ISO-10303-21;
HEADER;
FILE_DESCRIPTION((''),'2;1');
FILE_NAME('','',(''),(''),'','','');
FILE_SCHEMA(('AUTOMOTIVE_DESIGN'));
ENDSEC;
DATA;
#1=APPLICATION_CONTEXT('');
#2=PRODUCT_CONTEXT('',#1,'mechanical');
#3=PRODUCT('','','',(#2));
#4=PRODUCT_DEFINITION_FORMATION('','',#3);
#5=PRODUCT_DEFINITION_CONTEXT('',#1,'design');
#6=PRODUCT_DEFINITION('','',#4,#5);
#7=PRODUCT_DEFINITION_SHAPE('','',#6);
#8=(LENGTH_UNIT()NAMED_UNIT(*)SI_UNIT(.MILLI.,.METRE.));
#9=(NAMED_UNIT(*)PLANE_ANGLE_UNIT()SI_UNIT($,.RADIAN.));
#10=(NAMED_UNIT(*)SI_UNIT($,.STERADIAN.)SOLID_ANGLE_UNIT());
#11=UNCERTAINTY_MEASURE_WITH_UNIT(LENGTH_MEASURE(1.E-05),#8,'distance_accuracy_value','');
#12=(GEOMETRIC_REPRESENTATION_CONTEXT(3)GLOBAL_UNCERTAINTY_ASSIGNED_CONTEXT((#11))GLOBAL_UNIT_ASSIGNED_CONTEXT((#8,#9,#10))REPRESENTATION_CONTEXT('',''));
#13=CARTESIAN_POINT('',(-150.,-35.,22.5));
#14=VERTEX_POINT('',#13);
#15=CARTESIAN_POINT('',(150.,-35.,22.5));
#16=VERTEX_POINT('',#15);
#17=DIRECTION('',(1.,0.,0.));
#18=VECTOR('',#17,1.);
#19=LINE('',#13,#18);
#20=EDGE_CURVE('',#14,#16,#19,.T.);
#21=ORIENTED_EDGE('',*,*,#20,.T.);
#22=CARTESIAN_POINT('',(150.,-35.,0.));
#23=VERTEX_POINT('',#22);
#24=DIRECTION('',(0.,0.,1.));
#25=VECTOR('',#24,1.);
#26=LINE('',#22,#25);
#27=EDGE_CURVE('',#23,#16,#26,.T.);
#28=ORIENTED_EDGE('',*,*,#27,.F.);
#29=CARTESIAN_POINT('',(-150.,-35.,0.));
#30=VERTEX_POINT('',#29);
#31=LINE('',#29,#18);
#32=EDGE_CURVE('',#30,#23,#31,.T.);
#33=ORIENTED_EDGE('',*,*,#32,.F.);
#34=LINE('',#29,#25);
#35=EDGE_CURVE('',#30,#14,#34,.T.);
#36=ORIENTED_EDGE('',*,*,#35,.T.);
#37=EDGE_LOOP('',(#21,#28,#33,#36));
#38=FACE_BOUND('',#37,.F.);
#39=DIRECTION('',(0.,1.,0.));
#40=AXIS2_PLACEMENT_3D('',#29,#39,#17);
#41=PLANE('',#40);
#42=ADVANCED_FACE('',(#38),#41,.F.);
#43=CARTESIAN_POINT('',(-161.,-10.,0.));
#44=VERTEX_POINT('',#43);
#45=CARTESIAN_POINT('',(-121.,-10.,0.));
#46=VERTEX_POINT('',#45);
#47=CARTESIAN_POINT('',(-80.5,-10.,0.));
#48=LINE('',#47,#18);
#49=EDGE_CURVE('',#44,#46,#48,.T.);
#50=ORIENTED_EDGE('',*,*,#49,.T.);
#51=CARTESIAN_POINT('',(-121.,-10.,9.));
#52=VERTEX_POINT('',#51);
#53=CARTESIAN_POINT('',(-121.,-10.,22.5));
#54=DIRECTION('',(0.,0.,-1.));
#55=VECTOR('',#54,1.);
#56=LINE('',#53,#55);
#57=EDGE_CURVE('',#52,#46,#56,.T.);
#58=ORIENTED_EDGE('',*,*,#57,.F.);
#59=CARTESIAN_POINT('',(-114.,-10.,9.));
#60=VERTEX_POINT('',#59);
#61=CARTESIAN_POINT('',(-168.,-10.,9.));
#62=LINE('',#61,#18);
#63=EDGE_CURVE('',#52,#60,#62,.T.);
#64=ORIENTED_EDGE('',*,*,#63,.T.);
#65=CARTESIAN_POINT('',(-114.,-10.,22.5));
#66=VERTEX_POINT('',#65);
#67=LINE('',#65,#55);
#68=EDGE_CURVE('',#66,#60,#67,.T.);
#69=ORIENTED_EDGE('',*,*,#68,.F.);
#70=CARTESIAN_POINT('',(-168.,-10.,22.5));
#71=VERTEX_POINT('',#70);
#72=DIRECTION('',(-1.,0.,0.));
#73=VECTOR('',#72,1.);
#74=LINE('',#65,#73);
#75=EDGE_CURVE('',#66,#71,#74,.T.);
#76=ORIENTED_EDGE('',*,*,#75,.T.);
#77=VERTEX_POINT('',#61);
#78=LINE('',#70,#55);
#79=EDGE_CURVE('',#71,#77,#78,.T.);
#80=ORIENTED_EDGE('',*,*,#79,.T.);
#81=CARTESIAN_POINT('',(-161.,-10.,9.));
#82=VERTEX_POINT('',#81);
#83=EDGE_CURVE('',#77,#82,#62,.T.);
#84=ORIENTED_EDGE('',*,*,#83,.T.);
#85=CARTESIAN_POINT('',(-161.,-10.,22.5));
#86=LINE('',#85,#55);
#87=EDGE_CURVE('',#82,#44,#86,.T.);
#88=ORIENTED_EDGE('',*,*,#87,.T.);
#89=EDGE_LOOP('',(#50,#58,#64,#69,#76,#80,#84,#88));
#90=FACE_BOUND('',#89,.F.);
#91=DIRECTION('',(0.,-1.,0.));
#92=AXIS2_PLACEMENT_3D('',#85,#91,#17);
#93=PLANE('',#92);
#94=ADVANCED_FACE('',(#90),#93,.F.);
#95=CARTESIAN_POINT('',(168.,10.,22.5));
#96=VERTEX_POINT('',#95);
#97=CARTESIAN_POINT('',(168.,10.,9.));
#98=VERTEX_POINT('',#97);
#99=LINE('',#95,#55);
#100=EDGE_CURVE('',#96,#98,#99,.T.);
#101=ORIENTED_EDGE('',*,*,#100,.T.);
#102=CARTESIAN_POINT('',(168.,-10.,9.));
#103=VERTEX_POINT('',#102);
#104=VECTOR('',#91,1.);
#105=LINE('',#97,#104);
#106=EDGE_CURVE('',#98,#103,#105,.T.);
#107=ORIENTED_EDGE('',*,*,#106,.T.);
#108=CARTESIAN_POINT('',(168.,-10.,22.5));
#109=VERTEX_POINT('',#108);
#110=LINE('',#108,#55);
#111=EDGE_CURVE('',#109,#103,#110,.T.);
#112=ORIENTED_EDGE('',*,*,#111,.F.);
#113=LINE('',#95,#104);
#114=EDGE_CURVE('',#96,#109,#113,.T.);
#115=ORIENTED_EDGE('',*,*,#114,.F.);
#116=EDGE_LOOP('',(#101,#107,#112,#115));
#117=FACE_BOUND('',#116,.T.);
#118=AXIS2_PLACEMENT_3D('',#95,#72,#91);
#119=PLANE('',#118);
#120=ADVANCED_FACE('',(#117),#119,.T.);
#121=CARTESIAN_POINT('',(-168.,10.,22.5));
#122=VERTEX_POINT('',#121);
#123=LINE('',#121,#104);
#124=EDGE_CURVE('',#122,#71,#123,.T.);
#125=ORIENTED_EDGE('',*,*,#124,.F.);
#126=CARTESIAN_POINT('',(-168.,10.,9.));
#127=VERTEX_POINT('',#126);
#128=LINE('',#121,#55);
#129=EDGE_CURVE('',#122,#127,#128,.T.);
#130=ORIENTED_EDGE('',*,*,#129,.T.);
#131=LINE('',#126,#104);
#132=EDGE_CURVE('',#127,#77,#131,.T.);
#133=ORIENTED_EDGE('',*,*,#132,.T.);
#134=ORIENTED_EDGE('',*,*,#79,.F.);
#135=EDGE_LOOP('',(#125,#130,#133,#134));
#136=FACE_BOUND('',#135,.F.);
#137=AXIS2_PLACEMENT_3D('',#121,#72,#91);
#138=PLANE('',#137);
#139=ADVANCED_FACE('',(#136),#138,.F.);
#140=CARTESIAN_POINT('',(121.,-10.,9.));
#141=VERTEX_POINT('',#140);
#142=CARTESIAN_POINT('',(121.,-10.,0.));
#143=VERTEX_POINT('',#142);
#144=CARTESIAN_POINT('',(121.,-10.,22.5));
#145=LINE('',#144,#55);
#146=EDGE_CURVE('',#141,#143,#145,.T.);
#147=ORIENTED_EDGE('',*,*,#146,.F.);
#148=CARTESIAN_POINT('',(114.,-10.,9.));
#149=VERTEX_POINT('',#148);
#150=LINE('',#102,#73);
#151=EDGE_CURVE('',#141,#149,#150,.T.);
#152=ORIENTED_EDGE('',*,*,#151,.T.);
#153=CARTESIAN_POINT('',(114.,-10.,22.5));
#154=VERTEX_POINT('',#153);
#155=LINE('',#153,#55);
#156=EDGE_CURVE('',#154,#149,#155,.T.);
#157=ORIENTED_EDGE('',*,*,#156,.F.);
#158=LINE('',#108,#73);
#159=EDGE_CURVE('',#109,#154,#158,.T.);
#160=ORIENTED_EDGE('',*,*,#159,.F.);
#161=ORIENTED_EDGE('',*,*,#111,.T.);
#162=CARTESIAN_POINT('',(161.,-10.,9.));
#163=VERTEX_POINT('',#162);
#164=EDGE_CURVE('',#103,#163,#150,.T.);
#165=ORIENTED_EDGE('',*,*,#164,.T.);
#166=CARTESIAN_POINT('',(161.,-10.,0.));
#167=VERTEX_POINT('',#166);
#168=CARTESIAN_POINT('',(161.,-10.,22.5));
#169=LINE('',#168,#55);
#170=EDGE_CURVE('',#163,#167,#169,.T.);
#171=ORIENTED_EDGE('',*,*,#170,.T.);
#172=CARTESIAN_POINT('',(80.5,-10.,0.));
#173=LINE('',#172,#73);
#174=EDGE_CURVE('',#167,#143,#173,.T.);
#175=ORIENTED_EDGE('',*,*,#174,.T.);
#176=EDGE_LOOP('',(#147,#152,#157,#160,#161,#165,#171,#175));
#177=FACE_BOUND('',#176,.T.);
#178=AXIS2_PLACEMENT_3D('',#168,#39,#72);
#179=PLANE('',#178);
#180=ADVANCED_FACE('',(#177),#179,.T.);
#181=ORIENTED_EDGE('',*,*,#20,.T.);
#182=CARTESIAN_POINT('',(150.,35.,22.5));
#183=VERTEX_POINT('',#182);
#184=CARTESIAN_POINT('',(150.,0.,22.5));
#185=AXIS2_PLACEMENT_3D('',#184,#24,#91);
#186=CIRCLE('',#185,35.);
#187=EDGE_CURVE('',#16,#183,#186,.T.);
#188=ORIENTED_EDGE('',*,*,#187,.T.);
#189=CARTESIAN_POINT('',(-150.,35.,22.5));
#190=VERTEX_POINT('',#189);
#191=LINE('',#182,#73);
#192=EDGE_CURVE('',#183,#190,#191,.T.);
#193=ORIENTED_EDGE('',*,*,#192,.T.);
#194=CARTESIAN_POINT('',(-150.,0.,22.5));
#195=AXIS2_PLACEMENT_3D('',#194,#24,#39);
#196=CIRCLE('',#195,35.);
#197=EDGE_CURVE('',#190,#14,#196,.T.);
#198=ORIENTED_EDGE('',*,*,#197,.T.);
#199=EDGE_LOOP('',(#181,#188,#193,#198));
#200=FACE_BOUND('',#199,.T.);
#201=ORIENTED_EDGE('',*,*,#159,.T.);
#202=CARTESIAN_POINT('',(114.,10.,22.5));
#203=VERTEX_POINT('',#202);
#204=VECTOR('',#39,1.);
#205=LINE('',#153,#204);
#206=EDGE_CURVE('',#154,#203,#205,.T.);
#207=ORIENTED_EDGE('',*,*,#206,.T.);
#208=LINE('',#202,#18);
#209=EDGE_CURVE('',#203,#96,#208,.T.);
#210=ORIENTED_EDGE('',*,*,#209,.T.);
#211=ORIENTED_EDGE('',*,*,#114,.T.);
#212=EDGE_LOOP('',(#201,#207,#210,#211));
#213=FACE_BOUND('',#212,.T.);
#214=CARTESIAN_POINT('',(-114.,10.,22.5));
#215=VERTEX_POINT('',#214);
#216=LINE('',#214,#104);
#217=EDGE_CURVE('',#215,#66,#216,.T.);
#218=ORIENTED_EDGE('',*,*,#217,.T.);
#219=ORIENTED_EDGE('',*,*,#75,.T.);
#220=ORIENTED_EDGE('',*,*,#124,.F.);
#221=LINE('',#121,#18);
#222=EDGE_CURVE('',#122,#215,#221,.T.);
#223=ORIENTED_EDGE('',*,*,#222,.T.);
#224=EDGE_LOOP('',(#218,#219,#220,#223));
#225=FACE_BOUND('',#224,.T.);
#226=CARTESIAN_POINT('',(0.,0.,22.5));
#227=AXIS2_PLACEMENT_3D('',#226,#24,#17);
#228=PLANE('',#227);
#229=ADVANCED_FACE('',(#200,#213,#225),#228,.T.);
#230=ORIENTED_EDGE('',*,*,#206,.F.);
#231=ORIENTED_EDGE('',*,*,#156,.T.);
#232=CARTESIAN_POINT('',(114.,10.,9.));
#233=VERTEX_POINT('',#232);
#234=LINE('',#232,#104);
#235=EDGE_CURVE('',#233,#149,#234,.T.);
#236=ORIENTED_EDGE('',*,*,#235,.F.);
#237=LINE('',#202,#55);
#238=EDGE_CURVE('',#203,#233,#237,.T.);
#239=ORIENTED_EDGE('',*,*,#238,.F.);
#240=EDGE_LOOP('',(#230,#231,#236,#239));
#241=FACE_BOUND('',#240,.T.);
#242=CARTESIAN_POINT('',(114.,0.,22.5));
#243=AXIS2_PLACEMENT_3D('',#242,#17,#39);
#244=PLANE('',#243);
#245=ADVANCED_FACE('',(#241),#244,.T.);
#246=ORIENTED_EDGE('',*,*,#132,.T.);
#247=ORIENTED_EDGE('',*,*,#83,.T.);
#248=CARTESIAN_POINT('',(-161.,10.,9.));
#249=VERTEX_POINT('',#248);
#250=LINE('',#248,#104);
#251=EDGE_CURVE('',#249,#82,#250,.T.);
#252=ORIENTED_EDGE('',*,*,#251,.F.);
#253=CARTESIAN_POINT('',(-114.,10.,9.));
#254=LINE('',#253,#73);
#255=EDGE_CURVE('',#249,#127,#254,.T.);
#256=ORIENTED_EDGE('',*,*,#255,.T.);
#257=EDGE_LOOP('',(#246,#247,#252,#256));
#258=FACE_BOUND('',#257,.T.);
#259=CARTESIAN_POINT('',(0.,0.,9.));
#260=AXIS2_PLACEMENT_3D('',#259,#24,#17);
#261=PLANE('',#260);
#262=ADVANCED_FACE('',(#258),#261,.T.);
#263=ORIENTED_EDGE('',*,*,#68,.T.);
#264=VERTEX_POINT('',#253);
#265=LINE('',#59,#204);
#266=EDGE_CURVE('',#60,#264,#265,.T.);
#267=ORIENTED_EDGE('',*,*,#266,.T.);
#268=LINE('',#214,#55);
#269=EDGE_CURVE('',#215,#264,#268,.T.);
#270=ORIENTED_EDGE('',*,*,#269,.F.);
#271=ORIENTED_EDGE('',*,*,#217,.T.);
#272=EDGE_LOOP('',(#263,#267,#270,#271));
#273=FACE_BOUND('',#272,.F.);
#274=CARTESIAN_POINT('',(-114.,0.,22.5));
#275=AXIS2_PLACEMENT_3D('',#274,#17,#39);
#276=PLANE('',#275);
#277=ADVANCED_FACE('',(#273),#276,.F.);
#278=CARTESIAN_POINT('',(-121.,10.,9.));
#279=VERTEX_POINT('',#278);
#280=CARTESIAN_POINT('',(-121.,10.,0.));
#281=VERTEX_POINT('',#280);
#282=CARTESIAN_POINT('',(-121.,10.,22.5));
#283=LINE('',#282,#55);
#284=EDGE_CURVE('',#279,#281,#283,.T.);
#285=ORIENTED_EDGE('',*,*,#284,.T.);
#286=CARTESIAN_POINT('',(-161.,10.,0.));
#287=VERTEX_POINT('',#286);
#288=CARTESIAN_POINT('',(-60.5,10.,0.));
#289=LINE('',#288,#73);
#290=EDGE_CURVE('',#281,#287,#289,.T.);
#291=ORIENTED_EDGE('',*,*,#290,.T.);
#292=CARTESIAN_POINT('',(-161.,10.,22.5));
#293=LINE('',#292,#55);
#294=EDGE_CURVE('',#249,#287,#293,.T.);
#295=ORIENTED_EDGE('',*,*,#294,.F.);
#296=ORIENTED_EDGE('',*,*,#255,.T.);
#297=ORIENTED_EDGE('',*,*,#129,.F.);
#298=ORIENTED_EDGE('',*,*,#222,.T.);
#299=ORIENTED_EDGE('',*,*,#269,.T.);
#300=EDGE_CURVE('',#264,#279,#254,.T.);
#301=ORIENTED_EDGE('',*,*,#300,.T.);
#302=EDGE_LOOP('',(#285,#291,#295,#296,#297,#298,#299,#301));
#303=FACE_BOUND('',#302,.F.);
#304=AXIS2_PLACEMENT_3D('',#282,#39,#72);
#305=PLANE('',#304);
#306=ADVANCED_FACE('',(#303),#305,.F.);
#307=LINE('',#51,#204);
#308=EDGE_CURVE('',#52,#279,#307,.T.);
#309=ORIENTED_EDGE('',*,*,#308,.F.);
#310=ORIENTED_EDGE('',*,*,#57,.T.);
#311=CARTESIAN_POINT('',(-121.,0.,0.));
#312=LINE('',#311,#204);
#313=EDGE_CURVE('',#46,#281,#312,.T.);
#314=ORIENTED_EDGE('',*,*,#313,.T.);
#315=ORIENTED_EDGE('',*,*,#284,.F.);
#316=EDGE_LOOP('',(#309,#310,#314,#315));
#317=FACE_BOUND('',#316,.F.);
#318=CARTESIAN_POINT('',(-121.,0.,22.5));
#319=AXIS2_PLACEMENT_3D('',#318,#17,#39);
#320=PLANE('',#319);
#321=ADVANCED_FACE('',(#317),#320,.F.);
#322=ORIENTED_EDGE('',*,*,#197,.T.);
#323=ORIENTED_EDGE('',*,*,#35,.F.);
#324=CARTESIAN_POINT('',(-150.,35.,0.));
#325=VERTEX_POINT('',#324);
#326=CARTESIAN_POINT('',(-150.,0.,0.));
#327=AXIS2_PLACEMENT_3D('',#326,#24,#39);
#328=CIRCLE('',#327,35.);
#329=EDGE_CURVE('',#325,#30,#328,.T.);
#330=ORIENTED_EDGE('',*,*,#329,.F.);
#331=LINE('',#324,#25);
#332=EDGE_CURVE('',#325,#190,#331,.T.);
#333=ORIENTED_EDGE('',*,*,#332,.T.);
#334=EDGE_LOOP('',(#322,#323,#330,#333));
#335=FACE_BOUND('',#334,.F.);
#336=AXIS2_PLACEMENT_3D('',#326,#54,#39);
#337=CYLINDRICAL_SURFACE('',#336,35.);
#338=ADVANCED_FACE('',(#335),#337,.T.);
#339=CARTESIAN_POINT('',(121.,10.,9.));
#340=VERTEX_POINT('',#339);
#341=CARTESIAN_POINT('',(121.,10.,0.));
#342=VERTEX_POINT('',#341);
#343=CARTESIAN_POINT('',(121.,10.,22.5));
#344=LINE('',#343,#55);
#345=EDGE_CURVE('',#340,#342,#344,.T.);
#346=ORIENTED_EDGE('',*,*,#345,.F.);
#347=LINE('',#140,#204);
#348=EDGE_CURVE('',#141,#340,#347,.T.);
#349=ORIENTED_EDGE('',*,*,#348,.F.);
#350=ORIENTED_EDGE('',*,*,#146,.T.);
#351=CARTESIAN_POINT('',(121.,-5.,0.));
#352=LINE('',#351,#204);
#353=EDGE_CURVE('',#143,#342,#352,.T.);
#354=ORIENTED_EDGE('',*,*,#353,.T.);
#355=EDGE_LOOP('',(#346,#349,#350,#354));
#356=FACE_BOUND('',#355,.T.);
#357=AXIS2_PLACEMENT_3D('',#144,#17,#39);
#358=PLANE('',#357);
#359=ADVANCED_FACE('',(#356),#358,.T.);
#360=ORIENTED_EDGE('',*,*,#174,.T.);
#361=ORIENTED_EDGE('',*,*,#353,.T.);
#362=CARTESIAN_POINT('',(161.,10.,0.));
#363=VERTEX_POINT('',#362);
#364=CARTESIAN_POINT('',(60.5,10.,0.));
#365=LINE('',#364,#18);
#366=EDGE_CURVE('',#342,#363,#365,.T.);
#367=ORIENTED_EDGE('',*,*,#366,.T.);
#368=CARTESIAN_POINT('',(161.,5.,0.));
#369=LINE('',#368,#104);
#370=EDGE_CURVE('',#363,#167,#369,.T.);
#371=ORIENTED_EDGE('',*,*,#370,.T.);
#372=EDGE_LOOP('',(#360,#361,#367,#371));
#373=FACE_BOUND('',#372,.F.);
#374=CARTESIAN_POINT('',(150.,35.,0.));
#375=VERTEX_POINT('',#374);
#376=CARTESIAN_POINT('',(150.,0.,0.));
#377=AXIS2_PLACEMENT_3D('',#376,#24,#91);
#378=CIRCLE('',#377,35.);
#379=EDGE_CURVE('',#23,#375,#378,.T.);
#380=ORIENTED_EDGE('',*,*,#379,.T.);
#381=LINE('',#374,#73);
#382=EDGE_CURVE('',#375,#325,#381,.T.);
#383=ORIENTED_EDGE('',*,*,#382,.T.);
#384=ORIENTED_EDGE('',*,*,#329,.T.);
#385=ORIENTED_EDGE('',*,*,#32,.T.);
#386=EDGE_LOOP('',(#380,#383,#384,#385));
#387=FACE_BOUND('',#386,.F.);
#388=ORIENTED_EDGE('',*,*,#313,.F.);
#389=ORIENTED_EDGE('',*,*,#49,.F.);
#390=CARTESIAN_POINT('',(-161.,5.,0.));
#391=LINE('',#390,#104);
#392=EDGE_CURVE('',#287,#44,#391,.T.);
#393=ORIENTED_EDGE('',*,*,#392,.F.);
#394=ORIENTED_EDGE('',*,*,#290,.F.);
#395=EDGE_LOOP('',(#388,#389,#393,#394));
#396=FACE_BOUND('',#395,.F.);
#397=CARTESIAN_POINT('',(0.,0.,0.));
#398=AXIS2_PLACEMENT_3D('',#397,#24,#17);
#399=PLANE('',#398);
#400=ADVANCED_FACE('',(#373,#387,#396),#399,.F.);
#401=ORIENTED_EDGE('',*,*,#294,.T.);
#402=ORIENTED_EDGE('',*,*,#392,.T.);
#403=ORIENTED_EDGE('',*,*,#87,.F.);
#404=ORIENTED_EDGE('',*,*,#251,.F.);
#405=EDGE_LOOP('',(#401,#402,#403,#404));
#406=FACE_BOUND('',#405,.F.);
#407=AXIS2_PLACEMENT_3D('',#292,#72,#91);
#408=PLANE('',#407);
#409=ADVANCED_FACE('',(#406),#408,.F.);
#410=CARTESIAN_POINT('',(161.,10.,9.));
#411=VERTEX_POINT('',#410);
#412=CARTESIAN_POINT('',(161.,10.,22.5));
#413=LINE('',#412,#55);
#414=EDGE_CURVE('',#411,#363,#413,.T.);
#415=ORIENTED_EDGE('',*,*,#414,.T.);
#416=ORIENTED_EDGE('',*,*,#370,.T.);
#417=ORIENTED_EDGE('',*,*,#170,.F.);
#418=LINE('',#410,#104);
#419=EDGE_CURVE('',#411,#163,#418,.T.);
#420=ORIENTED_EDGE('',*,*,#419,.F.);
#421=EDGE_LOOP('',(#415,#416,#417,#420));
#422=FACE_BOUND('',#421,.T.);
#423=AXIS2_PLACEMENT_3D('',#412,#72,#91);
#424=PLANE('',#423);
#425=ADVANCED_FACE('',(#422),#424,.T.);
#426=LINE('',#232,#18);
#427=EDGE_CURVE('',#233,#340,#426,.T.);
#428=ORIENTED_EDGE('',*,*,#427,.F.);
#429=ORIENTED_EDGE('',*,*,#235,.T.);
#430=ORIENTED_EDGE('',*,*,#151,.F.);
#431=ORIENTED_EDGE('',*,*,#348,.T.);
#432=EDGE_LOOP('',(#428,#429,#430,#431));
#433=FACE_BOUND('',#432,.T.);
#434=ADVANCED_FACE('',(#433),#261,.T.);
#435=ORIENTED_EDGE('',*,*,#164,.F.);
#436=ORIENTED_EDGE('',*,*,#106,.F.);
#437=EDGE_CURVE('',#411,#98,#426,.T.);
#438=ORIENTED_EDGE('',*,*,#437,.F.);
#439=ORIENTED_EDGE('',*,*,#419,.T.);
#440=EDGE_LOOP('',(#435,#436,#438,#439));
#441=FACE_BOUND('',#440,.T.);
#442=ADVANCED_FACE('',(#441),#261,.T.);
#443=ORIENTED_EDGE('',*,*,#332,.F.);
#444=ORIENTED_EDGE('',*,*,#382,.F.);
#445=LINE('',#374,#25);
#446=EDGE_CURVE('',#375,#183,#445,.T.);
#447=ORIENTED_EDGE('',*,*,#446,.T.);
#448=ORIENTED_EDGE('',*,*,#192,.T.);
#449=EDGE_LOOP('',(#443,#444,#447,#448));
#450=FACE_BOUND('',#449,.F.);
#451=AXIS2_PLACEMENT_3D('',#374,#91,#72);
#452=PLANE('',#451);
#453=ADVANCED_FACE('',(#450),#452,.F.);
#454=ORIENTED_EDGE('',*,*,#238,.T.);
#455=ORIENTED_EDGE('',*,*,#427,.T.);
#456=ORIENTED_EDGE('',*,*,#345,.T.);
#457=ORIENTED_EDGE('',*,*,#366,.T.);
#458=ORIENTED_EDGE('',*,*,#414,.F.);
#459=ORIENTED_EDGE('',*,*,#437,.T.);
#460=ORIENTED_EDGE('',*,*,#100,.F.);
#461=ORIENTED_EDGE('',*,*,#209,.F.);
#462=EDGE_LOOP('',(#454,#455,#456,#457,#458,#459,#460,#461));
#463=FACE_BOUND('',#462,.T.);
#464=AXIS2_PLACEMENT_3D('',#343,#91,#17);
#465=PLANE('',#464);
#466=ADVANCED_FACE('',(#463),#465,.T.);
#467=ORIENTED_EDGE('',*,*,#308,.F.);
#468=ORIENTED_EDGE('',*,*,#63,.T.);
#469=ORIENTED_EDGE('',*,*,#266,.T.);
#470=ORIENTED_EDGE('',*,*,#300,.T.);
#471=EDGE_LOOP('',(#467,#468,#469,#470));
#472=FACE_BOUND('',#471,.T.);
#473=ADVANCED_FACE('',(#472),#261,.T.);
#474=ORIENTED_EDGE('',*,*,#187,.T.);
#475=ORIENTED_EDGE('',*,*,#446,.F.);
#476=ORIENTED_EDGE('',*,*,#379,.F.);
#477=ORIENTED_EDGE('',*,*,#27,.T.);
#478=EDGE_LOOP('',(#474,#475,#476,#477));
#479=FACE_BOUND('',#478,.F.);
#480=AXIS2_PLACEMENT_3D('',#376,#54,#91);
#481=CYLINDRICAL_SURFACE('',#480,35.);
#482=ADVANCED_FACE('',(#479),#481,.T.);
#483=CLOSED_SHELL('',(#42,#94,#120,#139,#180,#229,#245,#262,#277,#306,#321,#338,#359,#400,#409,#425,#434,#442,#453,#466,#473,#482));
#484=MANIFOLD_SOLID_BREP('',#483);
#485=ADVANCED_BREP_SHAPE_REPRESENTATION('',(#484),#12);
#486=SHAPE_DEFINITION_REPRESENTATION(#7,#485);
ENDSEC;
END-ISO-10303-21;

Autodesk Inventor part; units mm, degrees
ref_plane "YZ Plane" through (0, 0, 0) normal (1, 0, 0) x (0, 1, 0)
ref_plane "XZ Plane" through (0, 0, 0) normal (0, 1, 0) x (-1, 0, 0)
ref_plane "XY Plane" through (0, 0, 0) normal (0, 0, 1) x (1, 0, 0)
sketch "Sketch1" plane through (0, 0, 0) normal (0, 0, 1) x (1, 0, 0)
  line L0 (-150, 0) -> (150, 0) construction
  line L1 (-150, -35) -> (150, -35)
  line L2 (150, 35) -> (-150, 35)
  arc A0 (-150, 35) -> (-150, -35) centre (-150, 0) ccw
  arc A1 (150, -35) -> (150, 35) centre (150, 0) ccw
  point P0 (0, 0)
  dimension "d0" = 150
  dimension "d1" = 70
extrude "Extrusion1" add sketch "Sketch1" along normal blind 22.5
sketch "Sketch2" plane through (0, 0, 22.5) normal (0, 0, 1) x (1, 0, 0)
  arc A0 (150, -35) -> (150, 35) centre (150, 0) ccw projected
  line L0 (114, 10) -> (168, 10)
  line L1 (168, 10) -> (168, -10)
  line L2 (168, -10) -> (114, -10)
  line L3 (114, -10) -> (114, 10)
  line L4 (121, 10) -> (161, 10)
  line L5 (161, 10) -> (161, -10)
  line L6 (161, -10) -> (121, -10)
  line L7 (121, -10) -> (121, 10)
  line L8 (114, 0) -> (121, 0)
  line L9 (0, 35) -> (0, -35)
  arc A1 (-150, 35) -> (-150, -35) centre (-150, 0) ccw
  line L10 (-114, 10) -> (-168, 10)
  line L11 (-168, 10) -> (-168, -10)
  line L12 (-168, -10) -> (-114, -10)
  line L13 (-114, -10) -> (-114, 10)
  line L14 (-121, 10) -> (-161, 10)
  line L15 (-161, 10) -> (-161, -10)
  line L16 (-161, -10) -> (-121, -10)
  line L17 (-121, -10) -> (-121, 10)
  line L18 (-114, 0) -> (-121, 0)
  point P0 (0, 0)
  point P1 (168, 0)
  point P2 (121, -10)
  point P3 (161, 10)
  point P4 (-168, 0)
  point P5 (-121, -10)
  point P6 (-161, 10)
  dimension "d4" = 54
  dimension "d5" = 40
  dimension "d6" = 7
  dimension "d7" = 20
  dimension "d8" = 36
extrude "Extrusion2" cut sketch "Sketch2" against normal through all contours L0 L5 L2 L7 | L17 L12 L15 L10
extrude "Extrusion3" cut sketch "Sketch2" against normal blind 13.5 contours L0 L7 L8 L3 | L8 L7 L2 L3 | L0 L1 L2 L5 | L13 L18 L17 L10 | L13 L12 L17 L18 | L15 L12 L11 L10
properties part number "arm 2 right"
